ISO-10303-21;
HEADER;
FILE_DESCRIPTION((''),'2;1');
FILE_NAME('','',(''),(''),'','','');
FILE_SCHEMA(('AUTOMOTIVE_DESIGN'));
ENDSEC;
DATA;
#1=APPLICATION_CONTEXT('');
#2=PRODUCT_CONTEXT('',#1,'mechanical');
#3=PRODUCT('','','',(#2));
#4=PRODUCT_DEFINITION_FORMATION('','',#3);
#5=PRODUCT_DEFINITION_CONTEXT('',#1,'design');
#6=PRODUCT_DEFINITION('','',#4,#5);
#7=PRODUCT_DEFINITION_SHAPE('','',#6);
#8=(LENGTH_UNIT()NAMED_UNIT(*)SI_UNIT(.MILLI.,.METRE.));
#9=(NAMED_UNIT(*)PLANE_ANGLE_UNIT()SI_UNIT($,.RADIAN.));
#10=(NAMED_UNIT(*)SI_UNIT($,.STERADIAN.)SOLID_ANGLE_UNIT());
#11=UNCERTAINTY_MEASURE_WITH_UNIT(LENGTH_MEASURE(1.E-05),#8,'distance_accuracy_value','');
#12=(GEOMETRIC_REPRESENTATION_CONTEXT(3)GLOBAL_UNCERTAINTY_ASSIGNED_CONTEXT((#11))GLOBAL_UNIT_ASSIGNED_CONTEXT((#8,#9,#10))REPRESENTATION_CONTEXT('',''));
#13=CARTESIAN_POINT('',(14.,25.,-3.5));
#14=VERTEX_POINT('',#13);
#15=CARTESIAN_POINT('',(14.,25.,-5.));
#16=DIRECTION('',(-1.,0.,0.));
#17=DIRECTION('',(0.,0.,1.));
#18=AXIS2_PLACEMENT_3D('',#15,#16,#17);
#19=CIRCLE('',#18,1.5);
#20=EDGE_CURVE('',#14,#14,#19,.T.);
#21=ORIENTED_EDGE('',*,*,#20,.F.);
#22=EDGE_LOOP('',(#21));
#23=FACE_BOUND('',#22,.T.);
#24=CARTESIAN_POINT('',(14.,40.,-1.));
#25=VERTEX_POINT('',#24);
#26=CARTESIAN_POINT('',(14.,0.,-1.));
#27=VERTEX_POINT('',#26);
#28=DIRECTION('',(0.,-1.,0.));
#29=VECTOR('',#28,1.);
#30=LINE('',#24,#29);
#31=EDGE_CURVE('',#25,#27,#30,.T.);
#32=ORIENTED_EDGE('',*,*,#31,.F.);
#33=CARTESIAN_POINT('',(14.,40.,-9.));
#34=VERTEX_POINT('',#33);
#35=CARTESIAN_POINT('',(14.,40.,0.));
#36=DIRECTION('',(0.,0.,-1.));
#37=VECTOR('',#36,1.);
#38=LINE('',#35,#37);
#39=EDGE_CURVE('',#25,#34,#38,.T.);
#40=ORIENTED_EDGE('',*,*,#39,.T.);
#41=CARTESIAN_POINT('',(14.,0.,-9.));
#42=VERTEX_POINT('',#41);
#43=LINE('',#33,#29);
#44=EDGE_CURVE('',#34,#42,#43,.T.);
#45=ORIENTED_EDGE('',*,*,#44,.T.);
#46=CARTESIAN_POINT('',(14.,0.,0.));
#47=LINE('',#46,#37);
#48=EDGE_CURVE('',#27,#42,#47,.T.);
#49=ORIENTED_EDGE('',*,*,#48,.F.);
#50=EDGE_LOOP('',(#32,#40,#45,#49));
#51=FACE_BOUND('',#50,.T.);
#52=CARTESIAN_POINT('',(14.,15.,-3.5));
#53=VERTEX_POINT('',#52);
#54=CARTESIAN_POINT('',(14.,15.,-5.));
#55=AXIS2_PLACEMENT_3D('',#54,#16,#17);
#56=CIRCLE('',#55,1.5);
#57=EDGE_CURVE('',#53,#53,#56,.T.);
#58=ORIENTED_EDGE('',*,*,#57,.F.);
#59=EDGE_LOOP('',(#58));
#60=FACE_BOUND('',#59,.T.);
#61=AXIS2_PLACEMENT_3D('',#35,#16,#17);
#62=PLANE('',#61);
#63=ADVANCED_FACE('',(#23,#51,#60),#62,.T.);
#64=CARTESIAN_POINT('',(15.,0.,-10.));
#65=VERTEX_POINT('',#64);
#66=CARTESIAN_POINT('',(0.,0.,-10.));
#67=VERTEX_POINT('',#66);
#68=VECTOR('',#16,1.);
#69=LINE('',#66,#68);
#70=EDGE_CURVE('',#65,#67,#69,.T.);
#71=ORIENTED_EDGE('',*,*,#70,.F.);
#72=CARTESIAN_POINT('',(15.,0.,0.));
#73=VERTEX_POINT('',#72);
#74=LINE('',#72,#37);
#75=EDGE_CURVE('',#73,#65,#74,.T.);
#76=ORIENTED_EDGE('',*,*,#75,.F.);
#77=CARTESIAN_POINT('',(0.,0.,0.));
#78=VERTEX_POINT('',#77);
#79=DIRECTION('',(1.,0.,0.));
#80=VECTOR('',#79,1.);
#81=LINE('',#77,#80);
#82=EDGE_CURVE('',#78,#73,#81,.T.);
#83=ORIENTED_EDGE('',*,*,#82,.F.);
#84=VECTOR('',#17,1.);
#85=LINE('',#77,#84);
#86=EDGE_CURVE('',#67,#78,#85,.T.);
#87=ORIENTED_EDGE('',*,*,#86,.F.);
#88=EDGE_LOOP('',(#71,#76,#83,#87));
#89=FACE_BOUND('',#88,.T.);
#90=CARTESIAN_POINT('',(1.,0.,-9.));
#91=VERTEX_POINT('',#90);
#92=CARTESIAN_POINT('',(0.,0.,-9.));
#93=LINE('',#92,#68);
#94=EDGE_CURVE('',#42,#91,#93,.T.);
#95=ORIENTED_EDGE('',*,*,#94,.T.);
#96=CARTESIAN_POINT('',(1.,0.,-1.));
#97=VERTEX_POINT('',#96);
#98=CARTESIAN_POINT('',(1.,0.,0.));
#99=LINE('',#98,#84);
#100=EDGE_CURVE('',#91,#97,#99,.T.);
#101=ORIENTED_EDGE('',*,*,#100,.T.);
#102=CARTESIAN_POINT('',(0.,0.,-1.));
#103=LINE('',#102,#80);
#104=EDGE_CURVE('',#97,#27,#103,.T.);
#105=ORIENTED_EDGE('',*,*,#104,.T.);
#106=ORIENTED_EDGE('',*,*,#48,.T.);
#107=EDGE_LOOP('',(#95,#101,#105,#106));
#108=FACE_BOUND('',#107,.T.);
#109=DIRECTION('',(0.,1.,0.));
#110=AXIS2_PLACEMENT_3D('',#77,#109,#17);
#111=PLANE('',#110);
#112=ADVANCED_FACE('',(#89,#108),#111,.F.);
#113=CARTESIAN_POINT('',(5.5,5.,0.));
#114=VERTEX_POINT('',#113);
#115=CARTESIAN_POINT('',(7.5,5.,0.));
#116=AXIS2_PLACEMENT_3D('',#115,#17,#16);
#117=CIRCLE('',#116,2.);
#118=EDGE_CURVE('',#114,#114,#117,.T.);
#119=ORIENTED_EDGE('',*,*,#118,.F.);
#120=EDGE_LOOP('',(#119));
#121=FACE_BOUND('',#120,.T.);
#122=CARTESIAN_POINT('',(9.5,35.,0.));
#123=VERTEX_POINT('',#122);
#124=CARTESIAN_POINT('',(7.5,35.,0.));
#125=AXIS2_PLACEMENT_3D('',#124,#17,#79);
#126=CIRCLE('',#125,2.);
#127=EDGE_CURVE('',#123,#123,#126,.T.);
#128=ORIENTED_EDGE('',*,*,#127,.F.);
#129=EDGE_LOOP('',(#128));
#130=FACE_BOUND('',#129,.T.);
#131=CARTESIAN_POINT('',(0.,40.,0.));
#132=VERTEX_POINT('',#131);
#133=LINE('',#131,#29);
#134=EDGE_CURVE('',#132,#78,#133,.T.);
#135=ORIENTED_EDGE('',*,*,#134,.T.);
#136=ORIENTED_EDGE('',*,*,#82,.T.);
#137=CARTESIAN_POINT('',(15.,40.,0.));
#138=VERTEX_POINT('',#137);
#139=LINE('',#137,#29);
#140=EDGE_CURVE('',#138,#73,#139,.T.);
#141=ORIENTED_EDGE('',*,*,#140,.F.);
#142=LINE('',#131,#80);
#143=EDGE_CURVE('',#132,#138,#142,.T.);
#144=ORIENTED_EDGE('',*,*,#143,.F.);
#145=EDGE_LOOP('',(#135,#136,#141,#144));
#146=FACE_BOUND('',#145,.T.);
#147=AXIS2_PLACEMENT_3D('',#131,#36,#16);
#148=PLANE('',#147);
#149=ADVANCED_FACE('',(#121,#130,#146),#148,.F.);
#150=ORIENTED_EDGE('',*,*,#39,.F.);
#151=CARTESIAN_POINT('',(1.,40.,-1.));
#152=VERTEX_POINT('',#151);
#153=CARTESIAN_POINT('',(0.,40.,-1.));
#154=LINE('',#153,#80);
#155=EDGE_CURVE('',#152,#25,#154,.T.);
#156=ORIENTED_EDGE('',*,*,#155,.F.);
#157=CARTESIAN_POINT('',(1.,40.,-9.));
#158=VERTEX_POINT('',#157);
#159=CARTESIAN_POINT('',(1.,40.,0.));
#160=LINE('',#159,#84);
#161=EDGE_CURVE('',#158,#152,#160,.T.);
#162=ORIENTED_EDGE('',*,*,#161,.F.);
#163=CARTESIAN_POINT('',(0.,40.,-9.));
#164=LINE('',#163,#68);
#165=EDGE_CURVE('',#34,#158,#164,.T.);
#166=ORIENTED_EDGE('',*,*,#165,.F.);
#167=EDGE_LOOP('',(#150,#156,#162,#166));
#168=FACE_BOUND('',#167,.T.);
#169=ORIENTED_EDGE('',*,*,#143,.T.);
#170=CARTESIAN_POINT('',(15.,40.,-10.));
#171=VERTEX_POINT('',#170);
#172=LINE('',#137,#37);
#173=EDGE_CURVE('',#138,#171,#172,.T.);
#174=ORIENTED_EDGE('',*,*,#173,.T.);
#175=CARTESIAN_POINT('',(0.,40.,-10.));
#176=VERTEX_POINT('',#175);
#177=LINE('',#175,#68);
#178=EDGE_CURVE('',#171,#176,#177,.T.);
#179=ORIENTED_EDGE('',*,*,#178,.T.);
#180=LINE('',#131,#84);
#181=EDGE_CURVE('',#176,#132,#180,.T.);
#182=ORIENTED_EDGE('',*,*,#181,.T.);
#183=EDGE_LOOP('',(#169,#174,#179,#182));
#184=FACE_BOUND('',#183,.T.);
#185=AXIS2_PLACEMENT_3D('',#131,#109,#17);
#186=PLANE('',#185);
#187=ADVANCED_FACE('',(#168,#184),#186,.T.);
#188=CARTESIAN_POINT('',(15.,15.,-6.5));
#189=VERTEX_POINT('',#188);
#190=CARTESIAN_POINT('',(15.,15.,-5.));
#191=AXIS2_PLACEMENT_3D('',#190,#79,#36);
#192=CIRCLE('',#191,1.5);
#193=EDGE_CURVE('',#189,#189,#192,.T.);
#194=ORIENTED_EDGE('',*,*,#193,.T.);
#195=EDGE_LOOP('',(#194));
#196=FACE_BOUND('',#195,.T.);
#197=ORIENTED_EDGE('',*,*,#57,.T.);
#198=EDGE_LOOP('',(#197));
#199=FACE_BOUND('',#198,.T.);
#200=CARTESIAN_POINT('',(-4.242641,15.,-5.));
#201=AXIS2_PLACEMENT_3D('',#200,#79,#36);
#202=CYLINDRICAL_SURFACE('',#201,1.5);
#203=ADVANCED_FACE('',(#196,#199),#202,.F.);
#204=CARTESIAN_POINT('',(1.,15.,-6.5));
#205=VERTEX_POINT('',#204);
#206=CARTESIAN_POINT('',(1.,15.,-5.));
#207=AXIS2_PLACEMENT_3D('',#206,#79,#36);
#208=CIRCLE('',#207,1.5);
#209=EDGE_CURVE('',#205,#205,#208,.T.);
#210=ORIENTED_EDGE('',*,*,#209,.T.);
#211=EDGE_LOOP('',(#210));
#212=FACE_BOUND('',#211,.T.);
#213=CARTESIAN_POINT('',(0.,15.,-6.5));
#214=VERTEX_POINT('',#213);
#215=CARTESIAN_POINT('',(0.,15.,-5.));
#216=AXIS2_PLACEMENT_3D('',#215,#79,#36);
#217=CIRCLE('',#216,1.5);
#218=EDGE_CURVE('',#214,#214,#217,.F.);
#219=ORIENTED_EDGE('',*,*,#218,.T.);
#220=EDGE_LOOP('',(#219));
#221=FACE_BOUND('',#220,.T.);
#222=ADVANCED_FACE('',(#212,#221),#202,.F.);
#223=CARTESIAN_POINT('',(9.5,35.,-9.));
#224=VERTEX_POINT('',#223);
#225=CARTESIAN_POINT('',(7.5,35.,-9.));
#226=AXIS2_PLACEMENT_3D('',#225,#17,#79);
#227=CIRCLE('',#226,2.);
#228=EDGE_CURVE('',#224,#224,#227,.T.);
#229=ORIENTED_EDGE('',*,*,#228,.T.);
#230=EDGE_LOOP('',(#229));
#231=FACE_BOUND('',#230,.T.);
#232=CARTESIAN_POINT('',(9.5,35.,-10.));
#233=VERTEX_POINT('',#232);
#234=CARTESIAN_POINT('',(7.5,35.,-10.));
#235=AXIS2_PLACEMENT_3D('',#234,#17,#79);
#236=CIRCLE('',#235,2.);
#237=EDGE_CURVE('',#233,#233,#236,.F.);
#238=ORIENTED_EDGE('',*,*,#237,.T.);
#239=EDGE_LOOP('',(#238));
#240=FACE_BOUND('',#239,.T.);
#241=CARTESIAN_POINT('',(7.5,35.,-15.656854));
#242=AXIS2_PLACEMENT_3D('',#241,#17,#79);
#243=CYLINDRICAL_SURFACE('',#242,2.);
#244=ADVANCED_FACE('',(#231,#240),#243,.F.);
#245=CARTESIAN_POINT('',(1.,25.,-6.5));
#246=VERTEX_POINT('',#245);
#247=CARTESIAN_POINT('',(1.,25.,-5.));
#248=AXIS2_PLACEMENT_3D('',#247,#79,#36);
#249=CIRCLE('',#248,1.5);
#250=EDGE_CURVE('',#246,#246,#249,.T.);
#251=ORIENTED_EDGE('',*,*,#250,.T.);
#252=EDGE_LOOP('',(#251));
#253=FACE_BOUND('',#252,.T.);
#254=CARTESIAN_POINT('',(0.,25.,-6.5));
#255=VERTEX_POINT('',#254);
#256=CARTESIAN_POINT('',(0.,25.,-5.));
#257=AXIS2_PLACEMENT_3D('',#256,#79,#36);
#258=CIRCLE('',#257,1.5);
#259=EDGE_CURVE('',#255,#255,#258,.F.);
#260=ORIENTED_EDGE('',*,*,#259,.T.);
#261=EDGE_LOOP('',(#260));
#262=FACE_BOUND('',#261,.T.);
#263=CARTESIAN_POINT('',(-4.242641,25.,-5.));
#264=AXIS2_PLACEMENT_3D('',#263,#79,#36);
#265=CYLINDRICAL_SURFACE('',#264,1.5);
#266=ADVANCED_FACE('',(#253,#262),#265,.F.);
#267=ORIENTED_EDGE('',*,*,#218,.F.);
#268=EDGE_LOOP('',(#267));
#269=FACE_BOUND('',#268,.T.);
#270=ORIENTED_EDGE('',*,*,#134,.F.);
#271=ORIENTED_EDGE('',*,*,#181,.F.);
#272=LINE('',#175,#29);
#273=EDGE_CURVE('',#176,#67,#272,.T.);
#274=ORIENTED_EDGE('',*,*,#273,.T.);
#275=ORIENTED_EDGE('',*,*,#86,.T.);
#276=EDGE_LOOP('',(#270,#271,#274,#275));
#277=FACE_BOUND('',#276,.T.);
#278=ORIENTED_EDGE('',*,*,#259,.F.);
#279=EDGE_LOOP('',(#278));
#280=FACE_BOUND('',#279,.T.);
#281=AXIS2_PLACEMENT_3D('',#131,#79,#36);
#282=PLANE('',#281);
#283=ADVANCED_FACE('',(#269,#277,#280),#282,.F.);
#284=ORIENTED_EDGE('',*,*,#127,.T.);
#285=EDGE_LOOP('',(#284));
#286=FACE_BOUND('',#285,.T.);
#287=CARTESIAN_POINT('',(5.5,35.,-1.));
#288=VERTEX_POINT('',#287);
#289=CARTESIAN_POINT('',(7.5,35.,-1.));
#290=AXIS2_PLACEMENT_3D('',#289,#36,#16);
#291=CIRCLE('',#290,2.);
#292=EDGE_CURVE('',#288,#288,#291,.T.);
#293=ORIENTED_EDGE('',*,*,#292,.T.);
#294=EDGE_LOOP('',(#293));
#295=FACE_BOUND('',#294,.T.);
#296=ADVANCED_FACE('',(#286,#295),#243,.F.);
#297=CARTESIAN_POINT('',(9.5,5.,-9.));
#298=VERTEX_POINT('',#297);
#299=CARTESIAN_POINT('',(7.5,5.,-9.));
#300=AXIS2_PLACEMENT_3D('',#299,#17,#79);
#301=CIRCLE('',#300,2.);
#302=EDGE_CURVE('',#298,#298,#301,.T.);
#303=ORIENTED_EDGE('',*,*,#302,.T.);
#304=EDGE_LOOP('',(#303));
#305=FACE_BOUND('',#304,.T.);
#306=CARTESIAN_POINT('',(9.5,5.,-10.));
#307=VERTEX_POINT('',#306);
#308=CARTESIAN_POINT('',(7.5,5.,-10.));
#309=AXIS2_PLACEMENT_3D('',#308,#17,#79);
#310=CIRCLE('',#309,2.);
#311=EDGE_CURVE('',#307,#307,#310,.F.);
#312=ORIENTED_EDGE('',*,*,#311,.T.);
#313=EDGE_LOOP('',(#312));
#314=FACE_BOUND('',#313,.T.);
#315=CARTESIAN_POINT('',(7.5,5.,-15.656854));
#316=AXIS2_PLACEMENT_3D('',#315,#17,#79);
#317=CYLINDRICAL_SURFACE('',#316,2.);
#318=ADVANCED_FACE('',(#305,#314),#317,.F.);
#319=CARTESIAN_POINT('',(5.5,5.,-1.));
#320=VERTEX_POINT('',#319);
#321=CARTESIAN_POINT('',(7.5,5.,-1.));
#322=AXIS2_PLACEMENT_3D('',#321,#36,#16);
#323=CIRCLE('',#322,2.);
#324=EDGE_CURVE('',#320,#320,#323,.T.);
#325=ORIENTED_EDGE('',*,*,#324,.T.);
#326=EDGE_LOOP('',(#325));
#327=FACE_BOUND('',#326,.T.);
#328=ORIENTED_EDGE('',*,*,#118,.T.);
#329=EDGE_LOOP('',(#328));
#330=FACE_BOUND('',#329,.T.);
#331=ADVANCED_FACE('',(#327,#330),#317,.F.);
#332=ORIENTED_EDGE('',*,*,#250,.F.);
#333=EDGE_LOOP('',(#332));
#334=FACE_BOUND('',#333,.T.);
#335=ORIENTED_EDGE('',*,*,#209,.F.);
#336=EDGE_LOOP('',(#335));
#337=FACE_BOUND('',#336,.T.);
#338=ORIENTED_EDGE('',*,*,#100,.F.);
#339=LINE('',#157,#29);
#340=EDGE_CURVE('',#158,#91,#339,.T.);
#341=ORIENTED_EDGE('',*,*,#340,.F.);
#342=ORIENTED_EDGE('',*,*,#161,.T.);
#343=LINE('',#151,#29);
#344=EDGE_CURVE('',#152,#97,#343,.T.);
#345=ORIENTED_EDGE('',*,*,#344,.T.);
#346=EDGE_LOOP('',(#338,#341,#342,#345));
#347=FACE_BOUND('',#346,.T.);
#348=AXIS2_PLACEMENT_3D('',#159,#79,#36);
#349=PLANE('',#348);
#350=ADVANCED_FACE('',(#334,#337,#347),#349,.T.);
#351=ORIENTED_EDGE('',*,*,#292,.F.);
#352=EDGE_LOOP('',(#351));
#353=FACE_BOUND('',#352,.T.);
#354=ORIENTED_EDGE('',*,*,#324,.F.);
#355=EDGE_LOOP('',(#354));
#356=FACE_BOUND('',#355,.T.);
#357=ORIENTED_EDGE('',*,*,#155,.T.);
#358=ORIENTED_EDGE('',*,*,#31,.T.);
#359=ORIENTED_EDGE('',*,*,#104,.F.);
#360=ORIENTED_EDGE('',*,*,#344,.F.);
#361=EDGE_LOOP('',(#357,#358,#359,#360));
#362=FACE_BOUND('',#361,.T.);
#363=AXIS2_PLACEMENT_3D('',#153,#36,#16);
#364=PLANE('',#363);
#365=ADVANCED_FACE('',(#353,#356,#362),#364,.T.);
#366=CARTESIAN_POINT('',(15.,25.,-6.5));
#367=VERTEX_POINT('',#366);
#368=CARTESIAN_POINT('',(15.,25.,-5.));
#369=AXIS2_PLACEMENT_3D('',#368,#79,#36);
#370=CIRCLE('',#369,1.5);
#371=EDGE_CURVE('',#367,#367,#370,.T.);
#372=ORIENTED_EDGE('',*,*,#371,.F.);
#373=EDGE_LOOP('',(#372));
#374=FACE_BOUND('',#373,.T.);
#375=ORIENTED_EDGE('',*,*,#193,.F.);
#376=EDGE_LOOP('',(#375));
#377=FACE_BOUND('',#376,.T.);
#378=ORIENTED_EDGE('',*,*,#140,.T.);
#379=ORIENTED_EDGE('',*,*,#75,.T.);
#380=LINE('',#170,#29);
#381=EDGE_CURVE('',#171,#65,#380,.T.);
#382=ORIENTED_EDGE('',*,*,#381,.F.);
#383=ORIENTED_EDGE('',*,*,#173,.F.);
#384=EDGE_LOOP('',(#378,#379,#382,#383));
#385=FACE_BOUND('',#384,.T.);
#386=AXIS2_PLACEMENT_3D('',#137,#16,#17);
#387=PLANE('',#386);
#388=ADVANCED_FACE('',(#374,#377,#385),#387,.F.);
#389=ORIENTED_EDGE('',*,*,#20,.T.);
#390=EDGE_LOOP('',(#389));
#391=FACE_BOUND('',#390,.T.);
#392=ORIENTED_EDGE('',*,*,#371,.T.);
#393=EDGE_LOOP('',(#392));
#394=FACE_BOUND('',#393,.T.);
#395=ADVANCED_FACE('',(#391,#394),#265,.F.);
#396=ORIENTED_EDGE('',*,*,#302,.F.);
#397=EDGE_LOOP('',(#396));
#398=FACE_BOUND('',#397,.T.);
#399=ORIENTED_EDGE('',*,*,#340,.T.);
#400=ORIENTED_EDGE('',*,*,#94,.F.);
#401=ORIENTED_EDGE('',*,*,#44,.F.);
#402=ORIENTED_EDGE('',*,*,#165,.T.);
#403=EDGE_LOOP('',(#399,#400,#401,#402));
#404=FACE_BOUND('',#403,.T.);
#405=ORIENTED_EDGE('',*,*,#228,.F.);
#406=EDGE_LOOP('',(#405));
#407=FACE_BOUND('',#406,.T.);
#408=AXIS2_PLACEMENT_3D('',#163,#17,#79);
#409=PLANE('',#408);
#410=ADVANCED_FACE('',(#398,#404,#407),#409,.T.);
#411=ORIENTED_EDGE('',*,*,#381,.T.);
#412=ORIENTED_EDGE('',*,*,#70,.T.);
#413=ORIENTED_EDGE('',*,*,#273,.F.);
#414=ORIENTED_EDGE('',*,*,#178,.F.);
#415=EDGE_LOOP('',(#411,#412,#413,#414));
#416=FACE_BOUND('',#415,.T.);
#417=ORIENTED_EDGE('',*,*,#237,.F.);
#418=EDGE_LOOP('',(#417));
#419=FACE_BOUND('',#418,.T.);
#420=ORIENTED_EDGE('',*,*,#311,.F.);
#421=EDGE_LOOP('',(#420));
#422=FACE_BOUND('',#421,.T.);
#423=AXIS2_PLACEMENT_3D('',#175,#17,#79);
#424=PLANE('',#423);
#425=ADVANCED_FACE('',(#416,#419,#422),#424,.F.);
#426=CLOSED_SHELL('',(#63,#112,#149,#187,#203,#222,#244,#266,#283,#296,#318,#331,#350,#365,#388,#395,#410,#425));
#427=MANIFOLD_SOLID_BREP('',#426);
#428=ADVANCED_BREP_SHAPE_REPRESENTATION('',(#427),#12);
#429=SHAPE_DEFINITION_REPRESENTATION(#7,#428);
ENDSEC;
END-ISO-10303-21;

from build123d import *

# Parameters (mm, degrees)
SKETCH_1_W          = 15
SKETCH_1_H          = 10
SKETCH_1_W_2        = 13
SKETCH_1_H_2        = 8
EXTRUDE_1_DEPTH     = 40
CUT_EXTRUDE_1_REACH = 45.875
SKETCH_3_R          = 1.5
CUT_EXTRUDE_2_REACH = 45.875
SKETCH_4_R          = 2


with BuildPart() as part:
    # ｽｹｯﾁ1 → 押し出し-薄板1 (new body)
    with BuildSketch(Plane(origin=(0, 0, 0), x_dir=(1, 0, 0), z_dir=(0, 1, 0))):
        with Locations((7.5, 5)):
            Rectangle(SKETCH_1_W, SKETCH_1_H)
        with Locations((7.5, 5)):
            Rectangle(SKETCH_1_W_2, SKETCH_1_H_2, mode=Mode.SUBTRACT)
    extrude(amount=EXTRUDE_1_DEPTH)

    # ｶｯﾄ - 押し出し1: up to this face of the body (flat: up to its plane)
    cut_extrude_1_end = Plane(part.part.faces().sort_by_distance((0, 20, -5))[0])
    # ｽｹｯﾁ3 → ｶｯﾄ - 押し出し1 (cut, up to the picked face)
    with BuildSketch(Plane(origin=(15, 0, 0), x_dir=(0, 0, -1), z_dir=(1, 0, 0)), mode=Mode.PRIVATE) as cut_extrude_1_sk1:
        with Locations((5, 25)):
            Circle(SKETCH_3_R)
    cut_extrude_1_tool1 = split(extrude(cut_extrude_1_sk1.sketch, amount=-CUT_EXTRUDE_1_REACH, mode=Mode.PRIVATE), bisect_by=cut_extrude_1_end, keep=Keep.BOTH, mode=Mode.PRIVATE)
    # ｽｹｯﾁ3 → ｶｯﾄ - 押し出し1 (cut, up to the picked face)
    with BuildSketch(Plane(origin=(15, 0, 0), x_dir=(0, 0, -1), z_dir=(1, 0, 0)), mode=Mode.PRIVATE) as cut_extrude_1_sk2:
        with Locations((5, 15)):
            Circle(SKETCH_3_R)
    cut_extrude_1_tool2 = split(extrude(cut_extrude_1_sk2.sketch, amount=-CUT_EXTRUDE_1_REACH, mode=Mode.PRIVATE), bisect_by=cut_extrude_1_end, keep=Keep.BOTH, mode=Mode.PRIVATE)
    add(cut_extrude_1_tool1.solids().sort_by(Axis((15, 25, -5), (-1, 0, 0)))[0], mode=Mode.SUBTRACT)
    add(cut_extrude_1_tool2.solids().sort_by(Axis((15, 15, -5), (-1, 0, 0)))[0], mode=Mode.SUBTRACT)

    # ｶｯﾄ - 押し出し2: up to this face of the body (flat: up to its plane)
    cut_extrude_2_end = Plane(part.part.faces().sort_by_distance((7.5, 20, -10))[0])
    # ｽｹｯﾁ4 → ｶｯﾄ - 押し出し2 (cut, up to the picked face)
    with BuildSketch(Plane.XY, mode=Mode.PRIVATE) as cut_extrude_2_sk1:
        with Locations((7.5, 35)):
            Circle(SKETCH_4_R)
    cut_extrude_2_tool1 = split(extrude(cut_extrude_2_sk1.sketch, amount=-CUT_EXTRUDE_2_REACH, mode=Mode.PRIVATE), bisect_by=cut_extrude_2_end, keep=Keep.BOTH, mode=Mode.PRIVATE)
    # ｽｹｯﾁ4 → ｶｯﾄ - 押し出し2 (cut, up to the picked face)
    with BuildSketch(Plane.XY, mode=Mode.PRIVATE) as cut_extrude_2_sk2:
        with Locations((7.5, 5)):
            Circle(SKETCH_4_R)
    cut_extrude_2_tool2 = split(extrude(cut_extrude_2_sk2.sketch, amount=-CUT_EXTRUDE_2_REACH, mode=Mode.PRIVATE), bisect_by=cut_extrude_2_end, keep=Keep.BOTH, mode=Mode.PRIVATE)
    add(cut_extrude_2_tool1.solids().sort_by(Axis((7.5, 35, 0), (0, 0, -1)))[0], mode=Mode.SUBTRACT)
    add(cut_extrude_2_tool2.solids().sort_by(Axis((7.5, 5, 0), (0, 0, -1)))[0], mode=Mode.SUBTRACT)


solid = part.part
